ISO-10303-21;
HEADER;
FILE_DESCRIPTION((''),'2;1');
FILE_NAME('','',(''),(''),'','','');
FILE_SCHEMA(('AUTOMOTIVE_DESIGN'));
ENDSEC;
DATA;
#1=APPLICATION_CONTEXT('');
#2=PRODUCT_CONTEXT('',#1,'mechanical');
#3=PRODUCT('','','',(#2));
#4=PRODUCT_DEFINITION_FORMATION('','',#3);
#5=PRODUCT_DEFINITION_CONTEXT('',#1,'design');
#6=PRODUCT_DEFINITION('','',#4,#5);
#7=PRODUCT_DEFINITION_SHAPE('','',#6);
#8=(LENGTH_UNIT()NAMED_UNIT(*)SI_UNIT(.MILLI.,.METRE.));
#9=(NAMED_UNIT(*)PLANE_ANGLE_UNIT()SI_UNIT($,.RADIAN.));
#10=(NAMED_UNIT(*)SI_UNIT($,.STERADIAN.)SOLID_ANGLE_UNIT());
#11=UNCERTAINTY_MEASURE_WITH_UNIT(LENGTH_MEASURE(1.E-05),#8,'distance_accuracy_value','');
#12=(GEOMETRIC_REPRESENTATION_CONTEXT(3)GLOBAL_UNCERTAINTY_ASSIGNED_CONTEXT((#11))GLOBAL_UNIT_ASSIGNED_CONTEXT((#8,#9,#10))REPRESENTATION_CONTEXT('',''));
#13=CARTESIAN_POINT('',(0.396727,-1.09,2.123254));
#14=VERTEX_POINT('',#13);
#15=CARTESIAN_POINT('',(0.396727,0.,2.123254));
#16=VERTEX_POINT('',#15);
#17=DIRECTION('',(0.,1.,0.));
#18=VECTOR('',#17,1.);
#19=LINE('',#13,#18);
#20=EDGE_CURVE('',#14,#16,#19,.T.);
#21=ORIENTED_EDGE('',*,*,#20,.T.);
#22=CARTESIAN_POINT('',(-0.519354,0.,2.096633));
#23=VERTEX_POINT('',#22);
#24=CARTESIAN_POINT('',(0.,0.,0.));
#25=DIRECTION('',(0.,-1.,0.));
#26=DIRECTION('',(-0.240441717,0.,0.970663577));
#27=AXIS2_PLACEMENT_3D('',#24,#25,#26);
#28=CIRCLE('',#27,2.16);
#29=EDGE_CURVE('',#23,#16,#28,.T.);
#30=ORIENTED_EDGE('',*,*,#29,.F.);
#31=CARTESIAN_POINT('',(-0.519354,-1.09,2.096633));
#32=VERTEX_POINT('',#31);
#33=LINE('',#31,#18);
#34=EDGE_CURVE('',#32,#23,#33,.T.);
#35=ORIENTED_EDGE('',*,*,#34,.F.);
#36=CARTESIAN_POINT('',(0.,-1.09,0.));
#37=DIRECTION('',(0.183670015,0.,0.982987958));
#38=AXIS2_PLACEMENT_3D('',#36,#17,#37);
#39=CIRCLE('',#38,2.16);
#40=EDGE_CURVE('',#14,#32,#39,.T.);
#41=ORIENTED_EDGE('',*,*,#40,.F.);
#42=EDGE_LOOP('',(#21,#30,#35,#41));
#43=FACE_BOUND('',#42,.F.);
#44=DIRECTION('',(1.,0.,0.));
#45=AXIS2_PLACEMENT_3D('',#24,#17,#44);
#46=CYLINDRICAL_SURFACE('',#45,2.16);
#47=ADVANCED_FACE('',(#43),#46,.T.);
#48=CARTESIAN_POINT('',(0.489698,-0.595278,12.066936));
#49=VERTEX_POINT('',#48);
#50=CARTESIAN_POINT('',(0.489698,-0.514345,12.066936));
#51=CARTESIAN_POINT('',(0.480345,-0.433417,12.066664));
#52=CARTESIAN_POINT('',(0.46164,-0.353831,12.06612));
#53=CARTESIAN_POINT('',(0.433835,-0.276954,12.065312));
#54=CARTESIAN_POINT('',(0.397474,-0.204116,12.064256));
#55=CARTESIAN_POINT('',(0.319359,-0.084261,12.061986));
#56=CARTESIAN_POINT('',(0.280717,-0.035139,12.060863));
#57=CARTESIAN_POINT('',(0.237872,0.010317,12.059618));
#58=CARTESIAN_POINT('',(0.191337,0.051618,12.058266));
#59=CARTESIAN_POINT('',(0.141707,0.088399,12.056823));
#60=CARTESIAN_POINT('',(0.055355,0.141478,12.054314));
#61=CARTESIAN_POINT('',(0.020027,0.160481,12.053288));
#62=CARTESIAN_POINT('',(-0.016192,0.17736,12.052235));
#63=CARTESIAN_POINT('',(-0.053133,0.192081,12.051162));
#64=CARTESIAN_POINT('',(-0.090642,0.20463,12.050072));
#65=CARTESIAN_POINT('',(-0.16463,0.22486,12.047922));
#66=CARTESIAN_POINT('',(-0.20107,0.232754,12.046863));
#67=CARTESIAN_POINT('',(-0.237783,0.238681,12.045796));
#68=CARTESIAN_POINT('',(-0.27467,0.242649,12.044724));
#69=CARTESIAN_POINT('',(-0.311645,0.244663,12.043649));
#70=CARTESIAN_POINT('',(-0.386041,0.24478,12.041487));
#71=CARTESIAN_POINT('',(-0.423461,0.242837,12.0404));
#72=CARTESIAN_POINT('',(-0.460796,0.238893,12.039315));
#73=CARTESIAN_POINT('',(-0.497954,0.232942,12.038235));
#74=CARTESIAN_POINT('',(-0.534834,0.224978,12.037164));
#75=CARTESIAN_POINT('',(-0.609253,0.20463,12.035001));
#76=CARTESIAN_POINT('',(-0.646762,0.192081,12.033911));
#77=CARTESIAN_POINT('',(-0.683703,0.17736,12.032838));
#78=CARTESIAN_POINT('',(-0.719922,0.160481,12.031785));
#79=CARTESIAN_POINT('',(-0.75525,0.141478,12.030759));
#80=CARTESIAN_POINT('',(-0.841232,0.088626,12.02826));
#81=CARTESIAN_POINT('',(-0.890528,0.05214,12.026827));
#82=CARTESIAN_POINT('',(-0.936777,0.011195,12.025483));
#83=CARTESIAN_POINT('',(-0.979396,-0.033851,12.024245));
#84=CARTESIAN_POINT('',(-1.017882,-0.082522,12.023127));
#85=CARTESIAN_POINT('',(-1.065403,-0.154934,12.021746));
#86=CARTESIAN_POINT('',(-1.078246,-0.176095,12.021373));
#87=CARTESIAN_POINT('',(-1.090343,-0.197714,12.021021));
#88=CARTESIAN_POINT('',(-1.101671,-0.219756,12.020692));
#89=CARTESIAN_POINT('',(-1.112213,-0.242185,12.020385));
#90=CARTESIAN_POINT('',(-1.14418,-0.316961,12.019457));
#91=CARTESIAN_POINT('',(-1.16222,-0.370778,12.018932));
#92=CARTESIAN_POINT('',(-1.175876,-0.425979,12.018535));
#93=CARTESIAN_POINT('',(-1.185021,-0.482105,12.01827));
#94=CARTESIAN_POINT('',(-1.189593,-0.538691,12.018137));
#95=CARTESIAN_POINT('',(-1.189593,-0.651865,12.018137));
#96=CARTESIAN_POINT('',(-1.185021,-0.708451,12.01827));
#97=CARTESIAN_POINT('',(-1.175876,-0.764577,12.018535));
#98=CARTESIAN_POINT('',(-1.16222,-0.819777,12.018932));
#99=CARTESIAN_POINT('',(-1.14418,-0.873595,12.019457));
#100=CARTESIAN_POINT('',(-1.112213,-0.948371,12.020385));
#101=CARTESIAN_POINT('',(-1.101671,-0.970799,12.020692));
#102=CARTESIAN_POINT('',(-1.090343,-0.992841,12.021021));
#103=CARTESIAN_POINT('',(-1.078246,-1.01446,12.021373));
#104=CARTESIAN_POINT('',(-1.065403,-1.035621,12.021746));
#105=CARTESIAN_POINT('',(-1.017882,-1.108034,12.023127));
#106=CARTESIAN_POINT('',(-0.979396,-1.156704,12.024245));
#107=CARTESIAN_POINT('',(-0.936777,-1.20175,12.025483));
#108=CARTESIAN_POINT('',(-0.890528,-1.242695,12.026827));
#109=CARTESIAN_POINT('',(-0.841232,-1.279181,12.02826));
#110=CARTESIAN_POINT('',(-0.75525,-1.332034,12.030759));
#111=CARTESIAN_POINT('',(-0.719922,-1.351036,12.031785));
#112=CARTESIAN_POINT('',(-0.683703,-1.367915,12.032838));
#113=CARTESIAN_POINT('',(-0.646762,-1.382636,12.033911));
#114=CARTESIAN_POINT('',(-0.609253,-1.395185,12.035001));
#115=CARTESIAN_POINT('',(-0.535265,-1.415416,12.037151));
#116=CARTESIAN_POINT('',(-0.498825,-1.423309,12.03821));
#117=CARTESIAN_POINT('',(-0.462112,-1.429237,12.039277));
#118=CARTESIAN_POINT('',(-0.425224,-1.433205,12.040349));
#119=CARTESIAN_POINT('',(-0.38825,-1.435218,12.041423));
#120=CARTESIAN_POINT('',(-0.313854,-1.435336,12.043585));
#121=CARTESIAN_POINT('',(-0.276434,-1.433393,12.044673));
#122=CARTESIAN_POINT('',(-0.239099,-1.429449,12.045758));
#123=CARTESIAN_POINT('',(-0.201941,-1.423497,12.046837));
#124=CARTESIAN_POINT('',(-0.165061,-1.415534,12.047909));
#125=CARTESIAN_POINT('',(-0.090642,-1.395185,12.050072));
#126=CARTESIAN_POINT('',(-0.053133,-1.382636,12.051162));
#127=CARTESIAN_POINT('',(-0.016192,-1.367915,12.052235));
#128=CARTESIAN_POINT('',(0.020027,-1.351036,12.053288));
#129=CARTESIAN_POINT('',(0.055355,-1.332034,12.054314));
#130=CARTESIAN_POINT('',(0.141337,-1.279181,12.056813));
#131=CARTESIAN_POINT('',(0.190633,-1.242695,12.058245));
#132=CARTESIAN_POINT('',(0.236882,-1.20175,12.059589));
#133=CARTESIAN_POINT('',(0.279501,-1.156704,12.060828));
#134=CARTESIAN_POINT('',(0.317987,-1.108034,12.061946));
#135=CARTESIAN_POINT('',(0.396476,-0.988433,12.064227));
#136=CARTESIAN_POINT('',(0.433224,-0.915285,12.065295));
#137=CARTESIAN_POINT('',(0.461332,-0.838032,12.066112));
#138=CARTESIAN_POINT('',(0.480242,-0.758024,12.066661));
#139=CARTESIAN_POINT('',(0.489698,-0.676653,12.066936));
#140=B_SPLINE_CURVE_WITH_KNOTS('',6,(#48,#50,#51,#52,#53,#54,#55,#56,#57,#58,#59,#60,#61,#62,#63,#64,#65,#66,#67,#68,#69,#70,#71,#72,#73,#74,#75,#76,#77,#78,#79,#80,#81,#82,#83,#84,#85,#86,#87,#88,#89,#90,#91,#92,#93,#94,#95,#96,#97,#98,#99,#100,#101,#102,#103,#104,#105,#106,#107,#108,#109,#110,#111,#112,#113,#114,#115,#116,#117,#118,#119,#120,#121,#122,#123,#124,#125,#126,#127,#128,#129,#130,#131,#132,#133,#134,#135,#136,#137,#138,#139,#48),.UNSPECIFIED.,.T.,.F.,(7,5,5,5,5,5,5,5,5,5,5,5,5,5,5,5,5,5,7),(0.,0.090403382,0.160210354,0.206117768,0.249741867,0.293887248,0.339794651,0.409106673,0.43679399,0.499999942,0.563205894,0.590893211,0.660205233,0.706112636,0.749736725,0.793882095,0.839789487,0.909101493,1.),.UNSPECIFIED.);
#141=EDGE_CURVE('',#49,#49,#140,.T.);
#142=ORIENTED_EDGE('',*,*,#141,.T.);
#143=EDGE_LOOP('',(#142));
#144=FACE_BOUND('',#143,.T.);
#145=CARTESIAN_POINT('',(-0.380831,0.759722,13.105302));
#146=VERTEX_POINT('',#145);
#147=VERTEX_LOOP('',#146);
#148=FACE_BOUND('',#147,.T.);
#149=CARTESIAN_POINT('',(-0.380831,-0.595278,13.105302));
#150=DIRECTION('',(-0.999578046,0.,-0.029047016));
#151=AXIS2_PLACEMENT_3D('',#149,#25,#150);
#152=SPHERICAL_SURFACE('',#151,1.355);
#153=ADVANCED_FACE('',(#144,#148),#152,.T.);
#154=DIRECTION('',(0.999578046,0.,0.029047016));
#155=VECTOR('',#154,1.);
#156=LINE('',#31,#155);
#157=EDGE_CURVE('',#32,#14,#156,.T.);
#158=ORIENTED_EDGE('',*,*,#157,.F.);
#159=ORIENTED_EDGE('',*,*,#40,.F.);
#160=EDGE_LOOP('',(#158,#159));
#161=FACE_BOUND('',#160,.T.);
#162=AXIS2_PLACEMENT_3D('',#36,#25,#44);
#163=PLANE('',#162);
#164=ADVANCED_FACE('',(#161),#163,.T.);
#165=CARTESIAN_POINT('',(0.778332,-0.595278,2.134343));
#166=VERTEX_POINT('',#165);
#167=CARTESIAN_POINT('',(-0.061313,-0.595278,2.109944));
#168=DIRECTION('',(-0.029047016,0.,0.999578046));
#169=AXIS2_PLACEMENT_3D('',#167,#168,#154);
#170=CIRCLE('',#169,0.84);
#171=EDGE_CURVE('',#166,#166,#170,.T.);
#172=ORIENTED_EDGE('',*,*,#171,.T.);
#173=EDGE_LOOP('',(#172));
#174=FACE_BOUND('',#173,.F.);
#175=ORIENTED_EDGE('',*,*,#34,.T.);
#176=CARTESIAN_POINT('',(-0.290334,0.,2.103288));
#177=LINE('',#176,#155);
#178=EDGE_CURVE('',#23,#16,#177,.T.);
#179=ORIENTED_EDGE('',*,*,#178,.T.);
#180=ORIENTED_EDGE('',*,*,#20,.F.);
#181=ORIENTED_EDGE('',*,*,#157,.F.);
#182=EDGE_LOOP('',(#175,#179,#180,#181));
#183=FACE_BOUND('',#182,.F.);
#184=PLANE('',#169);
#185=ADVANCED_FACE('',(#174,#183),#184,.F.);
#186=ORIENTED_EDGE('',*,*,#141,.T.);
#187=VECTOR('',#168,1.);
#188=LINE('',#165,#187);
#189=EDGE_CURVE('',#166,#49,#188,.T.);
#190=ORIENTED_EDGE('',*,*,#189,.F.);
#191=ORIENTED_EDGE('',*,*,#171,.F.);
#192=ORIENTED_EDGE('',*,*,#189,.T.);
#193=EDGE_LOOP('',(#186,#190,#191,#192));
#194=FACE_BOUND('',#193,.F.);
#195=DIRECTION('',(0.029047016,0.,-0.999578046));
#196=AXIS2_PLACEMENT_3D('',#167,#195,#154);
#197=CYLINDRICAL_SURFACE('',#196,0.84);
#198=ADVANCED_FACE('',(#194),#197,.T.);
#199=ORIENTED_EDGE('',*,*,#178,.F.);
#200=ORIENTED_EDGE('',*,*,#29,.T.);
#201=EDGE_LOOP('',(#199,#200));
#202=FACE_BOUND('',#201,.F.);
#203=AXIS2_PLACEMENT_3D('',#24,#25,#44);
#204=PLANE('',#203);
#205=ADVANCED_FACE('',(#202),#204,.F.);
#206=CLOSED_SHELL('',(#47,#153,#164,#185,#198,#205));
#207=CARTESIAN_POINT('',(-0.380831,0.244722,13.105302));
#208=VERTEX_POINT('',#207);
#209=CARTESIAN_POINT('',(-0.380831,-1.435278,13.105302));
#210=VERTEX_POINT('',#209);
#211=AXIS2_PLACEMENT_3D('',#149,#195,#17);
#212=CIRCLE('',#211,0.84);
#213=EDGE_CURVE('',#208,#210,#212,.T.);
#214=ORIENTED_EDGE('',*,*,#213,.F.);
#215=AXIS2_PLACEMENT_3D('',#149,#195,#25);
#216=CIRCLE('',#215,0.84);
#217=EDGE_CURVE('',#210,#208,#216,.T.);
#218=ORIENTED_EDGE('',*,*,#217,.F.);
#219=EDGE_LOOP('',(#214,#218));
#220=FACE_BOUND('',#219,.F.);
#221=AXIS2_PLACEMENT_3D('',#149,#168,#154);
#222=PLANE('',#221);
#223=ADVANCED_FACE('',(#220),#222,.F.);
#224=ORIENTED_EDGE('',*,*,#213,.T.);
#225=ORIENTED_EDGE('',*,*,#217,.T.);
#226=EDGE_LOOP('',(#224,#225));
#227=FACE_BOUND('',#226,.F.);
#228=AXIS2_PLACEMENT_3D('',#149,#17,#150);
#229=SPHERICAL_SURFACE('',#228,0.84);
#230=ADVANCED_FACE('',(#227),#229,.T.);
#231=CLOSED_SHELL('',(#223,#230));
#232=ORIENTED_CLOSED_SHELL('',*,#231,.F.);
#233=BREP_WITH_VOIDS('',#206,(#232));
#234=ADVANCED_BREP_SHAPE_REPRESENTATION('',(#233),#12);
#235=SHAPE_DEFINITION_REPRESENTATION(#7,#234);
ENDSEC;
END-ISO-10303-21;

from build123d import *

# Parameters (mm, degrees)
F0_R     = 2.16
F1_DEPTH = 1.09
F3_DEPTH = 25
F4_R     = 0.84
F5_DEPTH = 11


with BuildPart() as f1:
    # F0 (on Front) → F1 (new body)
    with BuildSketch(Plane.XZ):
        Circle(F0_R)
    extrude(amount=F1_DEPTH)

    # F2 (on face) → F3 (cut)
    with BuildSketch(Plane.XZ.offset(1.09)):
        with BuildLine():
            ThreePointArc((0.3967272328, 2.1232539892), (-0.0627415539, 2.1590885803), (-0.5193541089, 2.0966333274))
            Line((-0.5193541089, 2.0966333274), (0.3967272328, 2.1232539892))
        make_face()
    extrude(amount=-F3_DEPTH, mode=Mode.SUBTRACT)

    # F4 (on face) → F5 (join)
    with BuildSketch(Plane(origin=(-0.061313438, 0, 2.1099436583), x_dir=(0.9995780464, 0, 0.0290470157), z_dir=(-0.0290470157, 0, 0.9995780464))):
        with Locations((0, -0.5952777421)):
            Circle(F4_R)
    extrude(amount=F5_DEPTH)

    # F6 (on face) → F7 (revolve)
    with BuildSketch(Plane(origin=(-0.3808306108, 0, 13.1053021689), x_dir=(0.9995780464, 0, 0.0290470157), z_dir=(-0.0290470157, 0, 0.9995780464))):
        with BuildLine():
            Line((0, 0.2447222579), (0, 0.7597222579))
            ThreePointArc((0, 0.7597222579), (-1.355, -0.5952777421), (0, -1.9502777421))
            Line((0, -1.9502777421), (0, -1.4352777421))
            ThreePointArc((0, -1.4352777421), (-0.84, -0.5952777421), (0, 0.2447222579))
        make_face()
    revolve(axis=Axis((-0.3808306108, -0.5952777421, 13.1053021689), (0, -1, 0)))


solid = f1.part
